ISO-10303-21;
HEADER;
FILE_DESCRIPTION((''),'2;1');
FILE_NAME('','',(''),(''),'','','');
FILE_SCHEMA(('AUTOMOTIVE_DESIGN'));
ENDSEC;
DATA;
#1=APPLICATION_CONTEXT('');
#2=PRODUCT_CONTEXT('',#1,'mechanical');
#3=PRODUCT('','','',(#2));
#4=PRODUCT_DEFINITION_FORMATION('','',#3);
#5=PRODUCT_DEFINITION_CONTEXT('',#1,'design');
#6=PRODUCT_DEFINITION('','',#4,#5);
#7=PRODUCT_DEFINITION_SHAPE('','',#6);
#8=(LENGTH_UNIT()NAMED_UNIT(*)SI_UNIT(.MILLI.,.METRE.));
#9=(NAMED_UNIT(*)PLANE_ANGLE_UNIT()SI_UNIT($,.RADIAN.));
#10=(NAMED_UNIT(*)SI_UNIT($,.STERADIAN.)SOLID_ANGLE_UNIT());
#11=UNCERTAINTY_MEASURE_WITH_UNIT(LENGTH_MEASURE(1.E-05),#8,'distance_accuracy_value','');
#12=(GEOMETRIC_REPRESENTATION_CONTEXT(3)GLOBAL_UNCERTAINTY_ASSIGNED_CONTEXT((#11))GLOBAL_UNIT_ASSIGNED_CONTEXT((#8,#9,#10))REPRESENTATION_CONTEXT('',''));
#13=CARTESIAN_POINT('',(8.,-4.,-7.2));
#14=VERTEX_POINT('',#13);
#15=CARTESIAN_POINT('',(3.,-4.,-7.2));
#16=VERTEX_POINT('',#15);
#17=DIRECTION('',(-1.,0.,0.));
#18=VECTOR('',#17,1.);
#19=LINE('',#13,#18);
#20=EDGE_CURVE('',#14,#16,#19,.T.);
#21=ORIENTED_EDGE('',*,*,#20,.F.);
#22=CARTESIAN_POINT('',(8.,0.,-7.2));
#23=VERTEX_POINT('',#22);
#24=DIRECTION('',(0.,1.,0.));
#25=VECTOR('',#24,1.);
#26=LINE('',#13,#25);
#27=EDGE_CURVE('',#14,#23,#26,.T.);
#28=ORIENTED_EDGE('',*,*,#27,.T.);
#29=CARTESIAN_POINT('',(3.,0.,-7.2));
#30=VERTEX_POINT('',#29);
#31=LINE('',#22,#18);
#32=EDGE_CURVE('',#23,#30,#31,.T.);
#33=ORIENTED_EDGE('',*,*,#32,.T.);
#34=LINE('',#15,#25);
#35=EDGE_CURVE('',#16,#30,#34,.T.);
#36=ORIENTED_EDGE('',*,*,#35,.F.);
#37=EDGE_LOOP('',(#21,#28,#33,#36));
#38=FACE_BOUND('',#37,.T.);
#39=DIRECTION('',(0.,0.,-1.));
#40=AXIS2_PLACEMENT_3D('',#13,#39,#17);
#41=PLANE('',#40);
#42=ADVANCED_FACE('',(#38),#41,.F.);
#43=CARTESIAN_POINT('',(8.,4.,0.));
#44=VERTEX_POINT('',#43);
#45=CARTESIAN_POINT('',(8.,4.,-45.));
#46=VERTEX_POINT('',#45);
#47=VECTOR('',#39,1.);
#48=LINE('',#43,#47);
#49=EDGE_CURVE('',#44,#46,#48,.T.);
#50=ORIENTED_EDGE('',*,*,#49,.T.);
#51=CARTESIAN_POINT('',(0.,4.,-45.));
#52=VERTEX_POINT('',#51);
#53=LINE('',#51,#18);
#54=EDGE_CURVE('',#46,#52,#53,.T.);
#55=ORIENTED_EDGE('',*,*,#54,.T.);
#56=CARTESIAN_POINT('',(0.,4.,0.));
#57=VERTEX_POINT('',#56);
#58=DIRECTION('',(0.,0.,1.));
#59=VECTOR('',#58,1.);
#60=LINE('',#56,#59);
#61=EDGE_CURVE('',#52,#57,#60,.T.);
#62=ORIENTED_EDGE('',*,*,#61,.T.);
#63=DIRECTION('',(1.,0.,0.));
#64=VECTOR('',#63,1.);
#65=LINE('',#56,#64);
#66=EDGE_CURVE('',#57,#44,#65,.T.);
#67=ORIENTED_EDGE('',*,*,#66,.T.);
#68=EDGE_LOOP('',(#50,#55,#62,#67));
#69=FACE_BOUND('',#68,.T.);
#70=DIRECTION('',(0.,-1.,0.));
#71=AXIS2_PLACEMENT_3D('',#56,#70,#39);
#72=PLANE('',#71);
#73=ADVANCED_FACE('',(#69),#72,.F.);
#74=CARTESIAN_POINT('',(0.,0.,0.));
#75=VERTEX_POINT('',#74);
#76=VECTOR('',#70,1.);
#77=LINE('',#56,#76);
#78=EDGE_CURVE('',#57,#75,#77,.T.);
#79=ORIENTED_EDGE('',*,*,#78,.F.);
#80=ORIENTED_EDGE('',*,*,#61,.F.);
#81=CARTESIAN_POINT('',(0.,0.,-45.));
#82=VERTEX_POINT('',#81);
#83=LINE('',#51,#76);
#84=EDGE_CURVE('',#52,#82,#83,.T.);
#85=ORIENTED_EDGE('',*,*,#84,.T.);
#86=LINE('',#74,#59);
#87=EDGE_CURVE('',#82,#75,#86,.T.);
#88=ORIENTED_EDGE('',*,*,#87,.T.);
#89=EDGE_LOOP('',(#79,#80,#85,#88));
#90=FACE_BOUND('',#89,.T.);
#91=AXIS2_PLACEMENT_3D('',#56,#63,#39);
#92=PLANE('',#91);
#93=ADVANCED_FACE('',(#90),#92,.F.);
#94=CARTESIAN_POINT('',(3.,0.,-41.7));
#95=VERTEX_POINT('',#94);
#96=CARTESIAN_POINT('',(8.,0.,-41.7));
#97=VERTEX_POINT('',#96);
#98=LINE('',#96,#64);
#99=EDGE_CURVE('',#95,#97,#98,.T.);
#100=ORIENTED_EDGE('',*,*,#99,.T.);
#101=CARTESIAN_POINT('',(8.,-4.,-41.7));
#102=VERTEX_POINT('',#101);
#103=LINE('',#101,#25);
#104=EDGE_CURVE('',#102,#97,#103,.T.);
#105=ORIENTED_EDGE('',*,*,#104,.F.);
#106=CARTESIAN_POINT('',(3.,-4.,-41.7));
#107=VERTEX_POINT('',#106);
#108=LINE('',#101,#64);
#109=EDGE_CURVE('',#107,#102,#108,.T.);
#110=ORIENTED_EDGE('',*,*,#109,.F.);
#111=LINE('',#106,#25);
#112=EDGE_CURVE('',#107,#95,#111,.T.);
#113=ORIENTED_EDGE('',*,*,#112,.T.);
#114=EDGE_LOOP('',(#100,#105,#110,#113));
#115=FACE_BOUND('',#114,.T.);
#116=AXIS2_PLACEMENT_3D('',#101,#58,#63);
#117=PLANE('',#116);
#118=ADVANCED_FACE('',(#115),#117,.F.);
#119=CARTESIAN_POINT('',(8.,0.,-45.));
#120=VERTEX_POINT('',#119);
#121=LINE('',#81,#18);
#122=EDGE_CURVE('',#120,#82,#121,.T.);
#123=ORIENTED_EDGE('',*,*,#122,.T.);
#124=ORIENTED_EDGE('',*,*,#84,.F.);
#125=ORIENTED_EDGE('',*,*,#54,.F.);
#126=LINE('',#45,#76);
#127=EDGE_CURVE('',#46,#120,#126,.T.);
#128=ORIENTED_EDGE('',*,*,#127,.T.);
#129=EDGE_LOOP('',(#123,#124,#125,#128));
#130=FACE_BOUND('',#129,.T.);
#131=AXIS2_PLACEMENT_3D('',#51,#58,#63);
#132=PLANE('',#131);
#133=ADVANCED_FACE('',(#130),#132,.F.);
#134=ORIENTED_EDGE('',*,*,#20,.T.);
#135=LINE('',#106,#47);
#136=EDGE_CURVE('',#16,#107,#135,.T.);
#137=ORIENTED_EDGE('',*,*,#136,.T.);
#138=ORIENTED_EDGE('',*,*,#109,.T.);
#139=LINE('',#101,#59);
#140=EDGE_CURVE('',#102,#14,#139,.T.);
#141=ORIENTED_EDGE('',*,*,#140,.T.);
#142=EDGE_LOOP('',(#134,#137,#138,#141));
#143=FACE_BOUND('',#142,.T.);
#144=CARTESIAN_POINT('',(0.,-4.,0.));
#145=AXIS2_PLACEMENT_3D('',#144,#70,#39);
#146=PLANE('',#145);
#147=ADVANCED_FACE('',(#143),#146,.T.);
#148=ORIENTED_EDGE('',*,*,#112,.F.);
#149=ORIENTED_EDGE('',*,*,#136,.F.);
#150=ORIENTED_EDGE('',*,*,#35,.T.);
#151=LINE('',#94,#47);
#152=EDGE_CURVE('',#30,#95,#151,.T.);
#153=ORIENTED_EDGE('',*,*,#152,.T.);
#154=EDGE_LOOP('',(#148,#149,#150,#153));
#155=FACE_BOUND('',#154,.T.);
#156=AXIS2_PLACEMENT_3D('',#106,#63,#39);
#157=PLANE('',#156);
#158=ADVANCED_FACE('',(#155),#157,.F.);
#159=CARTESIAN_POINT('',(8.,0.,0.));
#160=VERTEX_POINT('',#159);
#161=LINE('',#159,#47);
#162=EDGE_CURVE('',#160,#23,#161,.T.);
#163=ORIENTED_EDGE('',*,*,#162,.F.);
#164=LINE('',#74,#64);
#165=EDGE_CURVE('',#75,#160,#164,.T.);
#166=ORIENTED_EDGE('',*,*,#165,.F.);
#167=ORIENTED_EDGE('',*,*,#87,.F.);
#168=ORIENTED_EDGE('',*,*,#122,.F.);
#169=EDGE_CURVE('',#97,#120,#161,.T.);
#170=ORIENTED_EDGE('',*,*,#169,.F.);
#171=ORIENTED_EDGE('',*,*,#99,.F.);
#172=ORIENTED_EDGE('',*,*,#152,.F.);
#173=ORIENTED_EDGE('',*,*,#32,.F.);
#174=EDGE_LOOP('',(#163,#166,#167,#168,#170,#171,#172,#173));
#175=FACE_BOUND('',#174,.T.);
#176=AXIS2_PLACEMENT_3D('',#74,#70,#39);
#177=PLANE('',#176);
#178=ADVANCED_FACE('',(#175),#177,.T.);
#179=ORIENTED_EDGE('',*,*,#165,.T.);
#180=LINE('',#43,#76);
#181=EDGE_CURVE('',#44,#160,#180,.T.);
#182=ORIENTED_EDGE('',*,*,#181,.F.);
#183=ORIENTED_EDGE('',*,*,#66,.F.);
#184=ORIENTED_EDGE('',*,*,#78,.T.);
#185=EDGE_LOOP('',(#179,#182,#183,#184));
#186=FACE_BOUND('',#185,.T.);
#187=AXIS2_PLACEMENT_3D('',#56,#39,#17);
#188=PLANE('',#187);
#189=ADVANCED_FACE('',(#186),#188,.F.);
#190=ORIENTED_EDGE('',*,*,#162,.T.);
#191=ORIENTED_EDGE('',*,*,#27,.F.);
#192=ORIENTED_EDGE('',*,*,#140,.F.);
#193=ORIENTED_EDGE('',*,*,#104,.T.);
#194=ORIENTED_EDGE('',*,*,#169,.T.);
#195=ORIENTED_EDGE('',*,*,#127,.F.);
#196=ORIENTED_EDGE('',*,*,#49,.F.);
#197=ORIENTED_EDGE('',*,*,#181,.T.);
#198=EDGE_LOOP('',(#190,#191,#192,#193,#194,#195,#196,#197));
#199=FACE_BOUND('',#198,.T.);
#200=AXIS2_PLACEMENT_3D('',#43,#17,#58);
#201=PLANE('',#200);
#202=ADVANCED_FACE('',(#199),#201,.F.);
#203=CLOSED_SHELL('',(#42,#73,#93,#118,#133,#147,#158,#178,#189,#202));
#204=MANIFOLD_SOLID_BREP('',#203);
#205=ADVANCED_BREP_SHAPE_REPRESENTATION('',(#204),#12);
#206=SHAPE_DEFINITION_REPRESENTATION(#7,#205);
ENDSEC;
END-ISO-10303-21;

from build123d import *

# Parameters (mm, degrees)
CROQUIS1_W              = 8
CROQUIS1_H              = 45
SALIENTE_EXTRUIR1_DEPTH = 4
CROQUIS2_W              = 5
CROQUIS2_H              = 34.5
SALIENTE_EXTRUIR2_DEPTH = 4


with BuildPart() as part:
    # Croquis1 → Saliente-Extruir1 (new body)
    with BuildSketch(Plane(origin=(0, 0, 0), x_dir=(1, 0, 0), z_dir=(0, 1, 0))):
        with Locations((4, 22.5)):
            Rectangle(CROQUIS1_W, CROQUIS1_H)
    extrude(amount=SALIENTE_EXTRUIR1_DEPTH)

    # Croquis2 → Saliente-Extruir2 (add)
    with BuildSketch(Plane.XZ):
        with Locations((5.5, -24.45)):
            Rectangle(CROQUIS2_W, CROQUIS2_H)
    extrude(amount=SALIENTE_EXTRUIR2_DEPTH)


solid = part.part
